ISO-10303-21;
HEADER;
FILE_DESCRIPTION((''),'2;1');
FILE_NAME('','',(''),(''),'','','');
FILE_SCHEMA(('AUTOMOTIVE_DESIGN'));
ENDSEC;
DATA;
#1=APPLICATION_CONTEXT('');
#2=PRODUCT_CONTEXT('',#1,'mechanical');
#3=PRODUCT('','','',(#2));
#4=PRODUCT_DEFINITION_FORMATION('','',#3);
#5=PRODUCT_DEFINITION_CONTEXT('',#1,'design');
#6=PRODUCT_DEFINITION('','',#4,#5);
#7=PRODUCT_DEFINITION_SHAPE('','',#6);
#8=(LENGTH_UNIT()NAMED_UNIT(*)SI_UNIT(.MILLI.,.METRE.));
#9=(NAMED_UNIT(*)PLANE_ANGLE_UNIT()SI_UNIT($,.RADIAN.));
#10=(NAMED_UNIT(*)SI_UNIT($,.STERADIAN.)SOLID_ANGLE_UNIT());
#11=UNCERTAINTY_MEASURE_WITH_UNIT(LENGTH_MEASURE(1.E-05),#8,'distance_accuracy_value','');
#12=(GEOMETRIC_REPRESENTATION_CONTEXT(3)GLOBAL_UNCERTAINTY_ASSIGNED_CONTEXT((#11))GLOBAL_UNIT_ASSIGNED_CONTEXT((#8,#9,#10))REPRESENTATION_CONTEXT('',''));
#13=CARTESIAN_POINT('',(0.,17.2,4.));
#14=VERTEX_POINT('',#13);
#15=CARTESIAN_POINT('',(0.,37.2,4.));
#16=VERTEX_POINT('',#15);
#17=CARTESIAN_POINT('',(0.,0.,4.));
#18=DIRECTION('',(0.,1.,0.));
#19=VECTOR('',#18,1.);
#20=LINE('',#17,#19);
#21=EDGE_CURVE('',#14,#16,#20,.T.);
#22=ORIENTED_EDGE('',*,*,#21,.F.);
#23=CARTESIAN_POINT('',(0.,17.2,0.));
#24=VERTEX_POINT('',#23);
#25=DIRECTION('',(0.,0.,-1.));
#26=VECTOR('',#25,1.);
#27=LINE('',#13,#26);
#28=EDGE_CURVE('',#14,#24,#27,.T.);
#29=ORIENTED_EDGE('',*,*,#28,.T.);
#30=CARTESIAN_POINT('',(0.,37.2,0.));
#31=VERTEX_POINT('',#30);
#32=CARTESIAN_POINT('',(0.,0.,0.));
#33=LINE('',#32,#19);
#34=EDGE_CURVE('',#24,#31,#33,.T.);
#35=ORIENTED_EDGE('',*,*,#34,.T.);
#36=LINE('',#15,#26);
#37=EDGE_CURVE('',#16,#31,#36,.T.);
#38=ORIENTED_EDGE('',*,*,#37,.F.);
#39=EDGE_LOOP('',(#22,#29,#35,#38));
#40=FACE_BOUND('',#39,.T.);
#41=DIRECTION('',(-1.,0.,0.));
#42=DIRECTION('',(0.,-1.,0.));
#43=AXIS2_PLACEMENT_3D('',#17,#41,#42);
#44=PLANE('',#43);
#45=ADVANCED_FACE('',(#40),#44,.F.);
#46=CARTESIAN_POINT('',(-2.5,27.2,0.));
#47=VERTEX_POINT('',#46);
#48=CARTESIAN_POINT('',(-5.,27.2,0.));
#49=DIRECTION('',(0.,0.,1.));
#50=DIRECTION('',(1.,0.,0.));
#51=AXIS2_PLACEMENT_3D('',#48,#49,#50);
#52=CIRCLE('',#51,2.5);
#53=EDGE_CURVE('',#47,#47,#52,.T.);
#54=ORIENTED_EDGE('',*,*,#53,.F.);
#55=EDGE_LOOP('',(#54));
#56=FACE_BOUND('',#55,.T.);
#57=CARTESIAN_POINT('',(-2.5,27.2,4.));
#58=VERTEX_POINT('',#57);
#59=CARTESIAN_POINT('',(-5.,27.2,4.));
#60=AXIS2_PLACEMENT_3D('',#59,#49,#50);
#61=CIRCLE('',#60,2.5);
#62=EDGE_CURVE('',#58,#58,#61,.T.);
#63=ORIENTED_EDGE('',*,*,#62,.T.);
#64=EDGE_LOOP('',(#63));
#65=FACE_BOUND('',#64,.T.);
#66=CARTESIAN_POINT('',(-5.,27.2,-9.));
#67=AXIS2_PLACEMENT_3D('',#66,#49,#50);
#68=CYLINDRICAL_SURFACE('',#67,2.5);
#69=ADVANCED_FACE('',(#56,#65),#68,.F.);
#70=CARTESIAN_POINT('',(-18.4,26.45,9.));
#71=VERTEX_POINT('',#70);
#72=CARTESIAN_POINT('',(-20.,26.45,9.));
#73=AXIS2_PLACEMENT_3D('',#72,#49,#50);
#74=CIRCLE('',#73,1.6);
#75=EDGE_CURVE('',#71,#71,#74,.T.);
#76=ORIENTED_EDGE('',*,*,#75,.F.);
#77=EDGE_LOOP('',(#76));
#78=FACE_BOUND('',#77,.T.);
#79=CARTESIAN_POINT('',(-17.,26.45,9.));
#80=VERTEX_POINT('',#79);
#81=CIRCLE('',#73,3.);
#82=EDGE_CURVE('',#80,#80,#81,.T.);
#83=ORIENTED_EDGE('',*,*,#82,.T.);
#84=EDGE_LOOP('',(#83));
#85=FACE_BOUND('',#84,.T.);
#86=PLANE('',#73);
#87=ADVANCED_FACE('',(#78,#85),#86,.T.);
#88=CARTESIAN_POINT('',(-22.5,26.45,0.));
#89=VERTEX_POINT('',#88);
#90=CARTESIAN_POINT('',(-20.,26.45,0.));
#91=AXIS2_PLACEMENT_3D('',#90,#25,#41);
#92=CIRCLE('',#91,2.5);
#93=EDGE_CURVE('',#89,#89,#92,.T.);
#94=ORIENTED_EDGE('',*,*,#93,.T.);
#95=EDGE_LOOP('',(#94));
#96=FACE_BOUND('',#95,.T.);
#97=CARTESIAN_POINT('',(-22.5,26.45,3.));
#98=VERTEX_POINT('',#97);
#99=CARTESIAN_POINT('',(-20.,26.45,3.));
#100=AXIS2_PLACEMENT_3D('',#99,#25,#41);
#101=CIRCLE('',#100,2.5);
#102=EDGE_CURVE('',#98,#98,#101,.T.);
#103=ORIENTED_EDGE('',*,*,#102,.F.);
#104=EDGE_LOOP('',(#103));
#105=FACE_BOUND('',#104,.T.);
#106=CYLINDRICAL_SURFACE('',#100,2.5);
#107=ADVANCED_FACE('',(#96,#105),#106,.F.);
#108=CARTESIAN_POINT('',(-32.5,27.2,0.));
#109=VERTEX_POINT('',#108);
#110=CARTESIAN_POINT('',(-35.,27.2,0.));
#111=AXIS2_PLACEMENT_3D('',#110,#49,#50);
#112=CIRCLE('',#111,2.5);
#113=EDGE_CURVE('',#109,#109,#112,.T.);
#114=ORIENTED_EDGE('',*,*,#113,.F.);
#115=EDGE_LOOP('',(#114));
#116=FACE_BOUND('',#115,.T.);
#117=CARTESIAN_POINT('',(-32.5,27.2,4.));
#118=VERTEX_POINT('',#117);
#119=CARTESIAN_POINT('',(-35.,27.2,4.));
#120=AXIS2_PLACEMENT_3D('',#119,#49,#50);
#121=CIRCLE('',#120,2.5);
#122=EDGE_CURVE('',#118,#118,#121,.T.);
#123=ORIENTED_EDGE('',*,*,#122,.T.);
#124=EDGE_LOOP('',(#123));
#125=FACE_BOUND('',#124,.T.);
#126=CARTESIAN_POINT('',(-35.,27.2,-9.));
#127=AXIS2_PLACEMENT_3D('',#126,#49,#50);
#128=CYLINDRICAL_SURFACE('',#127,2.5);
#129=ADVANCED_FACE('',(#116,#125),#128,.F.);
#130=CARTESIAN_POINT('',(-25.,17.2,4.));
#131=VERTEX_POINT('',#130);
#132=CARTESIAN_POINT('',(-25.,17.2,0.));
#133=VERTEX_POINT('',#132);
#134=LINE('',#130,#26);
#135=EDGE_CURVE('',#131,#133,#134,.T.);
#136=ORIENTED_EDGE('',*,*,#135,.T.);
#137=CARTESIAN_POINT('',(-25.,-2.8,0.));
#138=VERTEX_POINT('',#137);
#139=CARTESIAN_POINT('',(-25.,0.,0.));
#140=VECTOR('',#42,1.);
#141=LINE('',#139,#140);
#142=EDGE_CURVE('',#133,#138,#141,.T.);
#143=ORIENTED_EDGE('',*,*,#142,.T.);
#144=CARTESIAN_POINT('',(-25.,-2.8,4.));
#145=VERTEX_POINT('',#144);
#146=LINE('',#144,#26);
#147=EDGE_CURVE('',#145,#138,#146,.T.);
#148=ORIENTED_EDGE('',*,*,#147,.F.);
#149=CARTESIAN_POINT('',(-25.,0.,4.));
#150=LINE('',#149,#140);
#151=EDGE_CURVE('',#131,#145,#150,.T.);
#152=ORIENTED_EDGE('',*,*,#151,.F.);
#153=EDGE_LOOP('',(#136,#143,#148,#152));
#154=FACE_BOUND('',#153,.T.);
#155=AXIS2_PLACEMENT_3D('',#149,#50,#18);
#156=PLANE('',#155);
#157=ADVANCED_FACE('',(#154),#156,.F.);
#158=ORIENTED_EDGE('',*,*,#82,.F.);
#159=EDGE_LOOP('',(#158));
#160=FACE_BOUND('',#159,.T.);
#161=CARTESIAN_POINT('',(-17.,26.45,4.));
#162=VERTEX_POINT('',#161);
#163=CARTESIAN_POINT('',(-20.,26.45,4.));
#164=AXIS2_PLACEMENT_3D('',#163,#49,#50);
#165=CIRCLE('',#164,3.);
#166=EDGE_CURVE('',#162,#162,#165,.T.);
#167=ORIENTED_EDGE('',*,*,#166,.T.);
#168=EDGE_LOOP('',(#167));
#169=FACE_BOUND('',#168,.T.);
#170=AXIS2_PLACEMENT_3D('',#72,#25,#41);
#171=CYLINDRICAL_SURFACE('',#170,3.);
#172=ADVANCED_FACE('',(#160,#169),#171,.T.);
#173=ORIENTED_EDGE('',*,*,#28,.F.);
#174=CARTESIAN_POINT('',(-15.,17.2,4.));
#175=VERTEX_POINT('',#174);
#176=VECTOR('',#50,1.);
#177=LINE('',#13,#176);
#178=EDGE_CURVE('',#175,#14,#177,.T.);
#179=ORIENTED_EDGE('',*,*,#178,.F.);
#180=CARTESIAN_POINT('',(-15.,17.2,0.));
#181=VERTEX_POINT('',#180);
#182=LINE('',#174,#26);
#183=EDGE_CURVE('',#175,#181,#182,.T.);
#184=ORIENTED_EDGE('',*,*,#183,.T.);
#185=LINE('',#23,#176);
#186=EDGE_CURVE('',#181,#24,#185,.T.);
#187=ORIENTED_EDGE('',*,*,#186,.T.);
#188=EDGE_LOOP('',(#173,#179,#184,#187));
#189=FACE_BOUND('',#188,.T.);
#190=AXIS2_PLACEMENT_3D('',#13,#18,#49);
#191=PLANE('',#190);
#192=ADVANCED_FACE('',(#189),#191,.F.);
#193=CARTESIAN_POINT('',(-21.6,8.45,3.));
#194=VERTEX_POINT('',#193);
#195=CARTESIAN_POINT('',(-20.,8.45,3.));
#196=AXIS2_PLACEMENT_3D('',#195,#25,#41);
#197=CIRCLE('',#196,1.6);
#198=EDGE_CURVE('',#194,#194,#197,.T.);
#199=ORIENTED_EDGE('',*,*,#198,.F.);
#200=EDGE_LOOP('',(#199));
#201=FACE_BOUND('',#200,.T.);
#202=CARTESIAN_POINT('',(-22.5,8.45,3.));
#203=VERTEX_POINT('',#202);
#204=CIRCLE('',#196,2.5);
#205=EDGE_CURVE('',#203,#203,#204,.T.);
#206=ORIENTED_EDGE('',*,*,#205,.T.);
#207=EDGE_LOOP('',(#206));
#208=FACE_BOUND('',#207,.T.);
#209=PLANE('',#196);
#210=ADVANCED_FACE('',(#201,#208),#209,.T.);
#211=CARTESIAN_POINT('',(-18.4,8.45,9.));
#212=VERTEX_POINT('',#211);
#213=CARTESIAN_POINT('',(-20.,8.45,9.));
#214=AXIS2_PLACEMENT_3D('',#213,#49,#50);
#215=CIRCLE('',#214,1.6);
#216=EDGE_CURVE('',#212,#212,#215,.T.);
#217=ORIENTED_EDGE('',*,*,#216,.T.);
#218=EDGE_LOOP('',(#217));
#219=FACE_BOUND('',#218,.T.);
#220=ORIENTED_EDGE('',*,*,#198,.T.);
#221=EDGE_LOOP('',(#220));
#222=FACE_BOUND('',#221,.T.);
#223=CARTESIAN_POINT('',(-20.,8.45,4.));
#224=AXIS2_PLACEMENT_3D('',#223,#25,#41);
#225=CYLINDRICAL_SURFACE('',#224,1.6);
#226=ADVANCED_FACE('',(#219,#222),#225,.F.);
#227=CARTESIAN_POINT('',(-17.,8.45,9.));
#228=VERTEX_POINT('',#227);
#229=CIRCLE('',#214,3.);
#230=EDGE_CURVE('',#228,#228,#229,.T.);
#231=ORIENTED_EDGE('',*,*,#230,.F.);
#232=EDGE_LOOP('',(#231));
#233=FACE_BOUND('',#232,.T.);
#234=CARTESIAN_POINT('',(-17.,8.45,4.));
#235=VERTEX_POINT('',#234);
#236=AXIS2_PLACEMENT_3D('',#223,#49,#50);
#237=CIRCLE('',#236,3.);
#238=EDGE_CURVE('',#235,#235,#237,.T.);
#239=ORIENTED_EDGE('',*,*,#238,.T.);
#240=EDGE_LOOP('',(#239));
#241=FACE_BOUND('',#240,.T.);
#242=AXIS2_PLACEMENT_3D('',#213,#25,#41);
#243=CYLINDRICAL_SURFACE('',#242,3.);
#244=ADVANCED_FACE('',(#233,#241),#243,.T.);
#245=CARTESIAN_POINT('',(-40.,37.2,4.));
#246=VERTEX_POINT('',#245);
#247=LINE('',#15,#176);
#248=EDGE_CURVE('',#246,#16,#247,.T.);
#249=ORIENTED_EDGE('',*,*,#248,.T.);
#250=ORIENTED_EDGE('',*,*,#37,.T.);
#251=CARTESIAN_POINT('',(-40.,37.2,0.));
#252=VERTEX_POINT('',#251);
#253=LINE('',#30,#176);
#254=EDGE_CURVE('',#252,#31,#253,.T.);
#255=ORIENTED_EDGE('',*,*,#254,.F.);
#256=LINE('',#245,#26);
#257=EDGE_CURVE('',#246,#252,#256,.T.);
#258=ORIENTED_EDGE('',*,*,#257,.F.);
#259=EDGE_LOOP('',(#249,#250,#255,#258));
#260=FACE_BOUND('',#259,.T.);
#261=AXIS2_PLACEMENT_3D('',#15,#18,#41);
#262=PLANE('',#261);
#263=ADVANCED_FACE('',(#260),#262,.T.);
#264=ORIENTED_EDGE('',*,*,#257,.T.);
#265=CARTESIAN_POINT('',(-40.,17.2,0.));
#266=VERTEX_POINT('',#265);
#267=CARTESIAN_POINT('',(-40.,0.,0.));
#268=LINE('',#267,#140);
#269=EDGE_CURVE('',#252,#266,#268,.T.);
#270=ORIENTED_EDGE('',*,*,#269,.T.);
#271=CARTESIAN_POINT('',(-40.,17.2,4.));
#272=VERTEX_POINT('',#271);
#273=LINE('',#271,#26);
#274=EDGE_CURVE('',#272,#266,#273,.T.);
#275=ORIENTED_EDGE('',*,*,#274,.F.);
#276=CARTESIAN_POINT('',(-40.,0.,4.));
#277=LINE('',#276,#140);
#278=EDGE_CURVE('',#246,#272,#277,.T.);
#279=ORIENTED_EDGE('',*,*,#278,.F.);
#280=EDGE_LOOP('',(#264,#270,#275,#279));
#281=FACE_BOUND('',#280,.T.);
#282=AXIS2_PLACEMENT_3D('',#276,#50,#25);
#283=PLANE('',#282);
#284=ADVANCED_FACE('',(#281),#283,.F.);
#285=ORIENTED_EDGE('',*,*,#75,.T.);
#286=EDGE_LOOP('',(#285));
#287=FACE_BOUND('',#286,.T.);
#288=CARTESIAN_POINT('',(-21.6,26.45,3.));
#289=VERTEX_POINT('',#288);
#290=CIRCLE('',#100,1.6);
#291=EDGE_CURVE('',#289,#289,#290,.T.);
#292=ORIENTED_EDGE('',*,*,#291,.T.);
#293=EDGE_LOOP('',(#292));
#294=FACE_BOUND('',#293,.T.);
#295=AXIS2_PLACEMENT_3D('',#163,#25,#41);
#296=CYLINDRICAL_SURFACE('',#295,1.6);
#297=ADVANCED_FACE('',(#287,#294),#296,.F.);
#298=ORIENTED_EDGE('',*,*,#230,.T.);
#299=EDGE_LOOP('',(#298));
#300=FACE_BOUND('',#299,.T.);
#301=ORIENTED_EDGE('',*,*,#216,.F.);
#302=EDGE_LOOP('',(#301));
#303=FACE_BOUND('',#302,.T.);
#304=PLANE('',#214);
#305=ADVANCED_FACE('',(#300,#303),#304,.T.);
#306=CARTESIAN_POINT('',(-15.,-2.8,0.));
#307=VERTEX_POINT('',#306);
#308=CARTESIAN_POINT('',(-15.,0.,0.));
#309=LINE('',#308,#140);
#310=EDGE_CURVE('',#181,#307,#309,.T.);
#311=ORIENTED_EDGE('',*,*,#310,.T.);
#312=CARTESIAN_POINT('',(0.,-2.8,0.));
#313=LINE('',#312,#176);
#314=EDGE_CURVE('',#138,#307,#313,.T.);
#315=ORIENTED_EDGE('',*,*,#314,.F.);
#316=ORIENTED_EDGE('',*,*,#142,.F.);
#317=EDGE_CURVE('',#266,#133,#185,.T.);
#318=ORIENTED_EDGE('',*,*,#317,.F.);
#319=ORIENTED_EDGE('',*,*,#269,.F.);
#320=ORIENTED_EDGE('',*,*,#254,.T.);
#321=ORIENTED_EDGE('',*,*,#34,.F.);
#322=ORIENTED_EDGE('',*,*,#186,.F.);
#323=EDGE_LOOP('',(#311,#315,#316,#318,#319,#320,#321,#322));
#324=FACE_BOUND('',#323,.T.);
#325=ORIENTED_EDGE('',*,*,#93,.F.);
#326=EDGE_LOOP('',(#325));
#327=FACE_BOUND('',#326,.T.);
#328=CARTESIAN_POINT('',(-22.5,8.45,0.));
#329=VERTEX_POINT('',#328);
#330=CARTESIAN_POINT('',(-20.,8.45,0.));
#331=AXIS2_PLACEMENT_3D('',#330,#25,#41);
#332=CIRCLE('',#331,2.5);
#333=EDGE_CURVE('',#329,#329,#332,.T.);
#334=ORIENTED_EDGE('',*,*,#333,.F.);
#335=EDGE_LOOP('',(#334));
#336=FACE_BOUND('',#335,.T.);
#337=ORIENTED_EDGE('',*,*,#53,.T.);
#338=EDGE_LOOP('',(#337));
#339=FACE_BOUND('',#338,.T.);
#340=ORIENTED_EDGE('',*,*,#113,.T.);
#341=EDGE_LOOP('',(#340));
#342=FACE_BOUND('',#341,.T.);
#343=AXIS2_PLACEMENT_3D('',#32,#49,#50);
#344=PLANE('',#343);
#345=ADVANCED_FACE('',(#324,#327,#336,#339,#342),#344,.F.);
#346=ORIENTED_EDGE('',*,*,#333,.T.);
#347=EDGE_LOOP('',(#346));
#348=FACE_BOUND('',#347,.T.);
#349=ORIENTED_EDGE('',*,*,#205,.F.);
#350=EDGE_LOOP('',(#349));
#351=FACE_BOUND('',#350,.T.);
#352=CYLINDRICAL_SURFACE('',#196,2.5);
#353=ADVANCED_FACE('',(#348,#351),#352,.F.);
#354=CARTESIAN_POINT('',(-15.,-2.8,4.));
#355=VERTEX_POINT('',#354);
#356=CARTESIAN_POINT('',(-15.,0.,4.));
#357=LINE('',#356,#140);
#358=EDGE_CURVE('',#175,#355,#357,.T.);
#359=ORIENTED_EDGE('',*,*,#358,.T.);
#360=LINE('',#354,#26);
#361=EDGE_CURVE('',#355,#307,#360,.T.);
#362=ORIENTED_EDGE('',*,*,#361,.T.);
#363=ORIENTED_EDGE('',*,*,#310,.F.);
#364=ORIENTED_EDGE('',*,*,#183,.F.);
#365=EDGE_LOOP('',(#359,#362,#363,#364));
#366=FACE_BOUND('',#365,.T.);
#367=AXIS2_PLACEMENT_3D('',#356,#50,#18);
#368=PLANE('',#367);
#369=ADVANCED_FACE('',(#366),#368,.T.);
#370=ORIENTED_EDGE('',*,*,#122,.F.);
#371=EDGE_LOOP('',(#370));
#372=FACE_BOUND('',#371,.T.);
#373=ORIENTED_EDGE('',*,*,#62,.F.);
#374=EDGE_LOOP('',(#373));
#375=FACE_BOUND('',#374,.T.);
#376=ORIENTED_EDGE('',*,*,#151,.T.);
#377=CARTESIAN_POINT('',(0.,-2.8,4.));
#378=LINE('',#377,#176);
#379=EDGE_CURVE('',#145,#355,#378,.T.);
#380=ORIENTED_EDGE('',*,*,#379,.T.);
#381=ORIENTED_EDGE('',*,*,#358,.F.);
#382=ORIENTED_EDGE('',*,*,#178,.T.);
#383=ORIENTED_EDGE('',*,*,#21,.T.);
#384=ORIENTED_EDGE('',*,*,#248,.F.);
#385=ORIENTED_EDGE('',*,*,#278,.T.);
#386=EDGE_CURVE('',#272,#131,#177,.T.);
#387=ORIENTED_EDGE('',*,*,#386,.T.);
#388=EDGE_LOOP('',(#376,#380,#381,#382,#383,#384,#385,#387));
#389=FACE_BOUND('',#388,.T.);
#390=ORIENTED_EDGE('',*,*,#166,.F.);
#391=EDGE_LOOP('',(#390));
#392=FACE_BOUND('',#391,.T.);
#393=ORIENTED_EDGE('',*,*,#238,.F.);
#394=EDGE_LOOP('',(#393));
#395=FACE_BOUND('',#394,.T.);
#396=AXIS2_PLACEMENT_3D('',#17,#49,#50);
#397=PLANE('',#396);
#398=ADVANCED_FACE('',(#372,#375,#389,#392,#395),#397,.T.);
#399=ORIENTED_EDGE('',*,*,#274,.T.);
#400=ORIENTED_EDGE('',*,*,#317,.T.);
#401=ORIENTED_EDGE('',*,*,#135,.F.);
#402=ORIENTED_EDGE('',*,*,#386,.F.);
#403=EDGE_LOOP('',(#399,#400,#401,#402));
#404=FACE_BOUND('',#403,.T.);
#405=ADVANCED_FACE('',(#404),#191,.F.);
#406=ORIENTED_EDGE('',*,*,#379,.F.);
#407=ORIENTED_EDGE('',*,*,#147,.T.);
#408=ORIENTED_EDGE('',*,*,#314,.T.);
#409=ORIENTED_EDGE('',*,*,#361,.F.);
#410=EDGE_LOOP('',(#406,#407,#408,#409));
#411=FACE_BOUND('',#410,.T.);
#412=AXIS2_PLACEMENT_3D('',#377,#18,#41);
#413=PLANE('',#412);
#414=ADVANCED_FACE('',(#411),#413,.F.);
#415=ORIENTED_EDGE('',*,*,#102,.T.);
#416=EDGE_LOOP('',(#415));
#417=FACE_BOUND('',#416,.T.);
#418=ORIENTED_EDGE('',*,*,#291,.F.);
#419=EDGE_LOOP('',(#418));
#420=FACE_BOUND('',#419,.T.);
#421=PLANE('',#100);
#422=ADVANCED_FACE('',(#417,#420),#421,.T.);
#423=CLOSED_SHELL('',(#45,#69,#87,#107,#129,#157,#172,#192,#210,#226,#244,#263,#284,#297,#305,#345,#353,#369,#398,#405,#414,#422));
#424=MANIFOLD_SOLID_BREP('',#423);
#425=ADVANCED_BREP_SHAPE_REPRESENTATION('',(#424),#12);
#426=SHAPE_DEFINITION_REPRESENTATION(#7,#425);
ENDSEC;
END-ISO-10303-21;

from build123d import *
from build123d.topology import SkipClean

# Parameters (mm, degrees)
SKETCH1_W           = 5
SKETCH1_H           = 2.8
SKETCH1_H_2         = 2
SKETCH1_W_2         = 15
SKETCH1_H_3         = 8.75
SKETCH1_H_4         = 9.25
SKETCH1_H_5         = 18
BOSS_EXTRUDE1_DEPTH = 4
SKETCH2_R           = 2.5
CUT_EXTRUDE1_DEPTH  = 13
SKETCH3_R           = 3
SKETCH3_R_2         = 1.6
BOSS_EXTRUDE2_DEPTH = 5
SKETCH4_R           = 2.5
CUT_EXTRUDE3_DEPTH  = 3


with BuildPart() as part:
    # Sketch1 → Boss-Extrude1 (new body)
    with BuildSketch(Plane.XY):
        with BuildLine():
            Line((-20, 0), (-15, 0))
            Line((-15, 0), (-15, 17.2))
            Line((-15, 17.2), (-20, 17.2))
            Line((-20, 17.2), (-20, 10.05))
            ThreePointArc((-20, 10.05), (-18.86862915, 9.58137085), (-18.4, 8.45))
            ThreePointArc((-18.4, 8.45), (-18.86862915, 7.31862915), (-20, 6.85))
            Line((-20, 6.85), (-20, 0))
        make_face()
        with BuildLine():
            Line((-20, 10.05), (-20, 17.2))
            Line((-20, 17.2), (-25, 17.2))
            Line((-25, 17.2), (-25, 8.45))
            Line((-25, 8.45), (-21.6, 8.45))
            ThreePointArc((-21.6, 8.45), (-21.13137085, 9.58137085), (-20, 10.05))
        make_face()
        with BuildLine():
            Line((-25, 0), (-20, 0))
            Line((-20, 0), (-20, 6.85))
            ThreePointArc((-20, 6.85), (-21.13137085, 7.31862915), (-21.6, 8.45))
            Line((-21.6, 8.45), (-25, 8.45))
            Line((-25, 8.45), (-25, 0))
        make_face()
        with Locations((-22.5, -1.4)):
            Rectangle(SKETCH1_W, SKETCH1_H)
        with Locations((-17.5, -1.4)):
            Rectangle(SKETCH1_W, SKETCH1_H)
        with BuildLine():
            Line((-20, 17.2), (-15, 17.2))
            Line((-15, 17.2), (-15, 35.2))
            Line((-15, 35.2), (-20, 35.2))
            Line((-20, 35.2), (-20, 28.05))
            ThreePointArc((-20, 28.05), (-18.86862915, 27.58137085), (-18.4, 26.45))
            ThreePointArc((-18.4, 26.45), (-18.86862915, 25.31862915), (-20, 24.85))
            Line((-20, 24.85), (-20, 17.2))
        make_face()
        with BuildLine():
            Line((-25, 17.2), (-20, 17.2))
            Line((-20, 17.2), (-20, 24.85))
            ThreePointArc((-20, 24.85), (-21.13137085, 25.31862915), (-21.6, 26.45))
            Line((-21.6, 26.45), (-25, 26.45))
            Line((-25, 26.45), (-25, 17.2))
        make_face()
        with BuildLine():
            Line((-20, 28.05), (-20, 35.2))
            Line((-20, 35.2), (-25, 35.2))
            Line((-25, 35.2), (-25, 26.45))
            Line((-25, 26.45), (-21.6, 26.45))
            ThreePointArc((-21.6, 26.45), (-21.13137085, 27.58137085), (-20, 28.05))
        make_face()
        with Locations((-17.5, 36.2)):
            Rectangle(SKETCH1_W, SKETCH1_H_2)
        with Locations((-22.5, 36.2)):
            Rectangle(SKETCH1_W, SKETCH1_H_2)
        with Locations((-7.5, 36.2)):
            Rectangle(SKETCH1_W_2, SKETCH1_H_2)
        with Locations((-32.5, 36.2)):
            Rectangle(SKETCH1_W_2, SKETCH1_H_2)
        with Locations((-32.5, 30.825)):
            Rectangle(SKETCH1_W_2, SKETCH1_H_3)
        with Locations((-32.5, 21.825)):
            Rectangle(SKETCH1_W_2, SKETCH1_H_4)
        with Locations((-7.5, 26.2)):
            Rectangle(SKETCH1_W_2, SKETCH1_H_5)
    extrude(amount=BOSS_EXTRUDE1_DEPTH)

    # Sketch2 → Cut-Extrude1 (cut)
    with BuildSketch(Plane.XY.offset(4)):
        with Locations((-35, 27.2)):
            Circle(SKETCH2_R)
        with Locations((-5, 27.2)):
            Circle(SKETCH2_R)
    extrude(amount=-CUT_EXTRUDE1_DEPTH, mode=Mode.SUBTRACT)

    # Sketch3 → Boss-Extrude2 (add)
    # profile 1 of 2: a face of its own
    with SkipClean():  # the faces are left unmerged after this step: merging them gives an invalid solid
        with BuildSketch(Plane.XY.offset(4)):
            with Locations((-20, 26.45)):
                Circle(SKETCH3_R)
            with Locations((-20, 26.45)):
                Circle(SKETCH3_R_2, mode=Mode.SUBTRACT)
        # profile 2 of 2: a face of its own
        with BuildSketch(Plane.XY.offset(4)):
            with Locations((-20, 8.45)):
                Circle(SKETCH3_R)
            with Locations((-20, 8.45)):
                Circle(SKETCH3_R_2, mode=Mode.SUBTRACT)
        extrude(amount=BOSS_EXTRUDE2_DEPTH)

    # Sketch4 → Cut-Extrude3 (cut)
    with SkipClean():  # the faces are left unmerged after this step: merging them gives an invalid solid
        with BuildSketch(Plane(origin=(0, 0, 0), x_dir=(-1, 0, 0), z_dir=(0, 0, -1))):
            with Locations((20, 26.45)):
                Circle(SKETCH4_R)
            with Locations((20, 8.45)):
                Circle(SKETCH4_R)
        extrude(amount=-CUT_EXTRUDE3_DEPTH, mode=Mode.SUBTRACT)


solid = part.part
